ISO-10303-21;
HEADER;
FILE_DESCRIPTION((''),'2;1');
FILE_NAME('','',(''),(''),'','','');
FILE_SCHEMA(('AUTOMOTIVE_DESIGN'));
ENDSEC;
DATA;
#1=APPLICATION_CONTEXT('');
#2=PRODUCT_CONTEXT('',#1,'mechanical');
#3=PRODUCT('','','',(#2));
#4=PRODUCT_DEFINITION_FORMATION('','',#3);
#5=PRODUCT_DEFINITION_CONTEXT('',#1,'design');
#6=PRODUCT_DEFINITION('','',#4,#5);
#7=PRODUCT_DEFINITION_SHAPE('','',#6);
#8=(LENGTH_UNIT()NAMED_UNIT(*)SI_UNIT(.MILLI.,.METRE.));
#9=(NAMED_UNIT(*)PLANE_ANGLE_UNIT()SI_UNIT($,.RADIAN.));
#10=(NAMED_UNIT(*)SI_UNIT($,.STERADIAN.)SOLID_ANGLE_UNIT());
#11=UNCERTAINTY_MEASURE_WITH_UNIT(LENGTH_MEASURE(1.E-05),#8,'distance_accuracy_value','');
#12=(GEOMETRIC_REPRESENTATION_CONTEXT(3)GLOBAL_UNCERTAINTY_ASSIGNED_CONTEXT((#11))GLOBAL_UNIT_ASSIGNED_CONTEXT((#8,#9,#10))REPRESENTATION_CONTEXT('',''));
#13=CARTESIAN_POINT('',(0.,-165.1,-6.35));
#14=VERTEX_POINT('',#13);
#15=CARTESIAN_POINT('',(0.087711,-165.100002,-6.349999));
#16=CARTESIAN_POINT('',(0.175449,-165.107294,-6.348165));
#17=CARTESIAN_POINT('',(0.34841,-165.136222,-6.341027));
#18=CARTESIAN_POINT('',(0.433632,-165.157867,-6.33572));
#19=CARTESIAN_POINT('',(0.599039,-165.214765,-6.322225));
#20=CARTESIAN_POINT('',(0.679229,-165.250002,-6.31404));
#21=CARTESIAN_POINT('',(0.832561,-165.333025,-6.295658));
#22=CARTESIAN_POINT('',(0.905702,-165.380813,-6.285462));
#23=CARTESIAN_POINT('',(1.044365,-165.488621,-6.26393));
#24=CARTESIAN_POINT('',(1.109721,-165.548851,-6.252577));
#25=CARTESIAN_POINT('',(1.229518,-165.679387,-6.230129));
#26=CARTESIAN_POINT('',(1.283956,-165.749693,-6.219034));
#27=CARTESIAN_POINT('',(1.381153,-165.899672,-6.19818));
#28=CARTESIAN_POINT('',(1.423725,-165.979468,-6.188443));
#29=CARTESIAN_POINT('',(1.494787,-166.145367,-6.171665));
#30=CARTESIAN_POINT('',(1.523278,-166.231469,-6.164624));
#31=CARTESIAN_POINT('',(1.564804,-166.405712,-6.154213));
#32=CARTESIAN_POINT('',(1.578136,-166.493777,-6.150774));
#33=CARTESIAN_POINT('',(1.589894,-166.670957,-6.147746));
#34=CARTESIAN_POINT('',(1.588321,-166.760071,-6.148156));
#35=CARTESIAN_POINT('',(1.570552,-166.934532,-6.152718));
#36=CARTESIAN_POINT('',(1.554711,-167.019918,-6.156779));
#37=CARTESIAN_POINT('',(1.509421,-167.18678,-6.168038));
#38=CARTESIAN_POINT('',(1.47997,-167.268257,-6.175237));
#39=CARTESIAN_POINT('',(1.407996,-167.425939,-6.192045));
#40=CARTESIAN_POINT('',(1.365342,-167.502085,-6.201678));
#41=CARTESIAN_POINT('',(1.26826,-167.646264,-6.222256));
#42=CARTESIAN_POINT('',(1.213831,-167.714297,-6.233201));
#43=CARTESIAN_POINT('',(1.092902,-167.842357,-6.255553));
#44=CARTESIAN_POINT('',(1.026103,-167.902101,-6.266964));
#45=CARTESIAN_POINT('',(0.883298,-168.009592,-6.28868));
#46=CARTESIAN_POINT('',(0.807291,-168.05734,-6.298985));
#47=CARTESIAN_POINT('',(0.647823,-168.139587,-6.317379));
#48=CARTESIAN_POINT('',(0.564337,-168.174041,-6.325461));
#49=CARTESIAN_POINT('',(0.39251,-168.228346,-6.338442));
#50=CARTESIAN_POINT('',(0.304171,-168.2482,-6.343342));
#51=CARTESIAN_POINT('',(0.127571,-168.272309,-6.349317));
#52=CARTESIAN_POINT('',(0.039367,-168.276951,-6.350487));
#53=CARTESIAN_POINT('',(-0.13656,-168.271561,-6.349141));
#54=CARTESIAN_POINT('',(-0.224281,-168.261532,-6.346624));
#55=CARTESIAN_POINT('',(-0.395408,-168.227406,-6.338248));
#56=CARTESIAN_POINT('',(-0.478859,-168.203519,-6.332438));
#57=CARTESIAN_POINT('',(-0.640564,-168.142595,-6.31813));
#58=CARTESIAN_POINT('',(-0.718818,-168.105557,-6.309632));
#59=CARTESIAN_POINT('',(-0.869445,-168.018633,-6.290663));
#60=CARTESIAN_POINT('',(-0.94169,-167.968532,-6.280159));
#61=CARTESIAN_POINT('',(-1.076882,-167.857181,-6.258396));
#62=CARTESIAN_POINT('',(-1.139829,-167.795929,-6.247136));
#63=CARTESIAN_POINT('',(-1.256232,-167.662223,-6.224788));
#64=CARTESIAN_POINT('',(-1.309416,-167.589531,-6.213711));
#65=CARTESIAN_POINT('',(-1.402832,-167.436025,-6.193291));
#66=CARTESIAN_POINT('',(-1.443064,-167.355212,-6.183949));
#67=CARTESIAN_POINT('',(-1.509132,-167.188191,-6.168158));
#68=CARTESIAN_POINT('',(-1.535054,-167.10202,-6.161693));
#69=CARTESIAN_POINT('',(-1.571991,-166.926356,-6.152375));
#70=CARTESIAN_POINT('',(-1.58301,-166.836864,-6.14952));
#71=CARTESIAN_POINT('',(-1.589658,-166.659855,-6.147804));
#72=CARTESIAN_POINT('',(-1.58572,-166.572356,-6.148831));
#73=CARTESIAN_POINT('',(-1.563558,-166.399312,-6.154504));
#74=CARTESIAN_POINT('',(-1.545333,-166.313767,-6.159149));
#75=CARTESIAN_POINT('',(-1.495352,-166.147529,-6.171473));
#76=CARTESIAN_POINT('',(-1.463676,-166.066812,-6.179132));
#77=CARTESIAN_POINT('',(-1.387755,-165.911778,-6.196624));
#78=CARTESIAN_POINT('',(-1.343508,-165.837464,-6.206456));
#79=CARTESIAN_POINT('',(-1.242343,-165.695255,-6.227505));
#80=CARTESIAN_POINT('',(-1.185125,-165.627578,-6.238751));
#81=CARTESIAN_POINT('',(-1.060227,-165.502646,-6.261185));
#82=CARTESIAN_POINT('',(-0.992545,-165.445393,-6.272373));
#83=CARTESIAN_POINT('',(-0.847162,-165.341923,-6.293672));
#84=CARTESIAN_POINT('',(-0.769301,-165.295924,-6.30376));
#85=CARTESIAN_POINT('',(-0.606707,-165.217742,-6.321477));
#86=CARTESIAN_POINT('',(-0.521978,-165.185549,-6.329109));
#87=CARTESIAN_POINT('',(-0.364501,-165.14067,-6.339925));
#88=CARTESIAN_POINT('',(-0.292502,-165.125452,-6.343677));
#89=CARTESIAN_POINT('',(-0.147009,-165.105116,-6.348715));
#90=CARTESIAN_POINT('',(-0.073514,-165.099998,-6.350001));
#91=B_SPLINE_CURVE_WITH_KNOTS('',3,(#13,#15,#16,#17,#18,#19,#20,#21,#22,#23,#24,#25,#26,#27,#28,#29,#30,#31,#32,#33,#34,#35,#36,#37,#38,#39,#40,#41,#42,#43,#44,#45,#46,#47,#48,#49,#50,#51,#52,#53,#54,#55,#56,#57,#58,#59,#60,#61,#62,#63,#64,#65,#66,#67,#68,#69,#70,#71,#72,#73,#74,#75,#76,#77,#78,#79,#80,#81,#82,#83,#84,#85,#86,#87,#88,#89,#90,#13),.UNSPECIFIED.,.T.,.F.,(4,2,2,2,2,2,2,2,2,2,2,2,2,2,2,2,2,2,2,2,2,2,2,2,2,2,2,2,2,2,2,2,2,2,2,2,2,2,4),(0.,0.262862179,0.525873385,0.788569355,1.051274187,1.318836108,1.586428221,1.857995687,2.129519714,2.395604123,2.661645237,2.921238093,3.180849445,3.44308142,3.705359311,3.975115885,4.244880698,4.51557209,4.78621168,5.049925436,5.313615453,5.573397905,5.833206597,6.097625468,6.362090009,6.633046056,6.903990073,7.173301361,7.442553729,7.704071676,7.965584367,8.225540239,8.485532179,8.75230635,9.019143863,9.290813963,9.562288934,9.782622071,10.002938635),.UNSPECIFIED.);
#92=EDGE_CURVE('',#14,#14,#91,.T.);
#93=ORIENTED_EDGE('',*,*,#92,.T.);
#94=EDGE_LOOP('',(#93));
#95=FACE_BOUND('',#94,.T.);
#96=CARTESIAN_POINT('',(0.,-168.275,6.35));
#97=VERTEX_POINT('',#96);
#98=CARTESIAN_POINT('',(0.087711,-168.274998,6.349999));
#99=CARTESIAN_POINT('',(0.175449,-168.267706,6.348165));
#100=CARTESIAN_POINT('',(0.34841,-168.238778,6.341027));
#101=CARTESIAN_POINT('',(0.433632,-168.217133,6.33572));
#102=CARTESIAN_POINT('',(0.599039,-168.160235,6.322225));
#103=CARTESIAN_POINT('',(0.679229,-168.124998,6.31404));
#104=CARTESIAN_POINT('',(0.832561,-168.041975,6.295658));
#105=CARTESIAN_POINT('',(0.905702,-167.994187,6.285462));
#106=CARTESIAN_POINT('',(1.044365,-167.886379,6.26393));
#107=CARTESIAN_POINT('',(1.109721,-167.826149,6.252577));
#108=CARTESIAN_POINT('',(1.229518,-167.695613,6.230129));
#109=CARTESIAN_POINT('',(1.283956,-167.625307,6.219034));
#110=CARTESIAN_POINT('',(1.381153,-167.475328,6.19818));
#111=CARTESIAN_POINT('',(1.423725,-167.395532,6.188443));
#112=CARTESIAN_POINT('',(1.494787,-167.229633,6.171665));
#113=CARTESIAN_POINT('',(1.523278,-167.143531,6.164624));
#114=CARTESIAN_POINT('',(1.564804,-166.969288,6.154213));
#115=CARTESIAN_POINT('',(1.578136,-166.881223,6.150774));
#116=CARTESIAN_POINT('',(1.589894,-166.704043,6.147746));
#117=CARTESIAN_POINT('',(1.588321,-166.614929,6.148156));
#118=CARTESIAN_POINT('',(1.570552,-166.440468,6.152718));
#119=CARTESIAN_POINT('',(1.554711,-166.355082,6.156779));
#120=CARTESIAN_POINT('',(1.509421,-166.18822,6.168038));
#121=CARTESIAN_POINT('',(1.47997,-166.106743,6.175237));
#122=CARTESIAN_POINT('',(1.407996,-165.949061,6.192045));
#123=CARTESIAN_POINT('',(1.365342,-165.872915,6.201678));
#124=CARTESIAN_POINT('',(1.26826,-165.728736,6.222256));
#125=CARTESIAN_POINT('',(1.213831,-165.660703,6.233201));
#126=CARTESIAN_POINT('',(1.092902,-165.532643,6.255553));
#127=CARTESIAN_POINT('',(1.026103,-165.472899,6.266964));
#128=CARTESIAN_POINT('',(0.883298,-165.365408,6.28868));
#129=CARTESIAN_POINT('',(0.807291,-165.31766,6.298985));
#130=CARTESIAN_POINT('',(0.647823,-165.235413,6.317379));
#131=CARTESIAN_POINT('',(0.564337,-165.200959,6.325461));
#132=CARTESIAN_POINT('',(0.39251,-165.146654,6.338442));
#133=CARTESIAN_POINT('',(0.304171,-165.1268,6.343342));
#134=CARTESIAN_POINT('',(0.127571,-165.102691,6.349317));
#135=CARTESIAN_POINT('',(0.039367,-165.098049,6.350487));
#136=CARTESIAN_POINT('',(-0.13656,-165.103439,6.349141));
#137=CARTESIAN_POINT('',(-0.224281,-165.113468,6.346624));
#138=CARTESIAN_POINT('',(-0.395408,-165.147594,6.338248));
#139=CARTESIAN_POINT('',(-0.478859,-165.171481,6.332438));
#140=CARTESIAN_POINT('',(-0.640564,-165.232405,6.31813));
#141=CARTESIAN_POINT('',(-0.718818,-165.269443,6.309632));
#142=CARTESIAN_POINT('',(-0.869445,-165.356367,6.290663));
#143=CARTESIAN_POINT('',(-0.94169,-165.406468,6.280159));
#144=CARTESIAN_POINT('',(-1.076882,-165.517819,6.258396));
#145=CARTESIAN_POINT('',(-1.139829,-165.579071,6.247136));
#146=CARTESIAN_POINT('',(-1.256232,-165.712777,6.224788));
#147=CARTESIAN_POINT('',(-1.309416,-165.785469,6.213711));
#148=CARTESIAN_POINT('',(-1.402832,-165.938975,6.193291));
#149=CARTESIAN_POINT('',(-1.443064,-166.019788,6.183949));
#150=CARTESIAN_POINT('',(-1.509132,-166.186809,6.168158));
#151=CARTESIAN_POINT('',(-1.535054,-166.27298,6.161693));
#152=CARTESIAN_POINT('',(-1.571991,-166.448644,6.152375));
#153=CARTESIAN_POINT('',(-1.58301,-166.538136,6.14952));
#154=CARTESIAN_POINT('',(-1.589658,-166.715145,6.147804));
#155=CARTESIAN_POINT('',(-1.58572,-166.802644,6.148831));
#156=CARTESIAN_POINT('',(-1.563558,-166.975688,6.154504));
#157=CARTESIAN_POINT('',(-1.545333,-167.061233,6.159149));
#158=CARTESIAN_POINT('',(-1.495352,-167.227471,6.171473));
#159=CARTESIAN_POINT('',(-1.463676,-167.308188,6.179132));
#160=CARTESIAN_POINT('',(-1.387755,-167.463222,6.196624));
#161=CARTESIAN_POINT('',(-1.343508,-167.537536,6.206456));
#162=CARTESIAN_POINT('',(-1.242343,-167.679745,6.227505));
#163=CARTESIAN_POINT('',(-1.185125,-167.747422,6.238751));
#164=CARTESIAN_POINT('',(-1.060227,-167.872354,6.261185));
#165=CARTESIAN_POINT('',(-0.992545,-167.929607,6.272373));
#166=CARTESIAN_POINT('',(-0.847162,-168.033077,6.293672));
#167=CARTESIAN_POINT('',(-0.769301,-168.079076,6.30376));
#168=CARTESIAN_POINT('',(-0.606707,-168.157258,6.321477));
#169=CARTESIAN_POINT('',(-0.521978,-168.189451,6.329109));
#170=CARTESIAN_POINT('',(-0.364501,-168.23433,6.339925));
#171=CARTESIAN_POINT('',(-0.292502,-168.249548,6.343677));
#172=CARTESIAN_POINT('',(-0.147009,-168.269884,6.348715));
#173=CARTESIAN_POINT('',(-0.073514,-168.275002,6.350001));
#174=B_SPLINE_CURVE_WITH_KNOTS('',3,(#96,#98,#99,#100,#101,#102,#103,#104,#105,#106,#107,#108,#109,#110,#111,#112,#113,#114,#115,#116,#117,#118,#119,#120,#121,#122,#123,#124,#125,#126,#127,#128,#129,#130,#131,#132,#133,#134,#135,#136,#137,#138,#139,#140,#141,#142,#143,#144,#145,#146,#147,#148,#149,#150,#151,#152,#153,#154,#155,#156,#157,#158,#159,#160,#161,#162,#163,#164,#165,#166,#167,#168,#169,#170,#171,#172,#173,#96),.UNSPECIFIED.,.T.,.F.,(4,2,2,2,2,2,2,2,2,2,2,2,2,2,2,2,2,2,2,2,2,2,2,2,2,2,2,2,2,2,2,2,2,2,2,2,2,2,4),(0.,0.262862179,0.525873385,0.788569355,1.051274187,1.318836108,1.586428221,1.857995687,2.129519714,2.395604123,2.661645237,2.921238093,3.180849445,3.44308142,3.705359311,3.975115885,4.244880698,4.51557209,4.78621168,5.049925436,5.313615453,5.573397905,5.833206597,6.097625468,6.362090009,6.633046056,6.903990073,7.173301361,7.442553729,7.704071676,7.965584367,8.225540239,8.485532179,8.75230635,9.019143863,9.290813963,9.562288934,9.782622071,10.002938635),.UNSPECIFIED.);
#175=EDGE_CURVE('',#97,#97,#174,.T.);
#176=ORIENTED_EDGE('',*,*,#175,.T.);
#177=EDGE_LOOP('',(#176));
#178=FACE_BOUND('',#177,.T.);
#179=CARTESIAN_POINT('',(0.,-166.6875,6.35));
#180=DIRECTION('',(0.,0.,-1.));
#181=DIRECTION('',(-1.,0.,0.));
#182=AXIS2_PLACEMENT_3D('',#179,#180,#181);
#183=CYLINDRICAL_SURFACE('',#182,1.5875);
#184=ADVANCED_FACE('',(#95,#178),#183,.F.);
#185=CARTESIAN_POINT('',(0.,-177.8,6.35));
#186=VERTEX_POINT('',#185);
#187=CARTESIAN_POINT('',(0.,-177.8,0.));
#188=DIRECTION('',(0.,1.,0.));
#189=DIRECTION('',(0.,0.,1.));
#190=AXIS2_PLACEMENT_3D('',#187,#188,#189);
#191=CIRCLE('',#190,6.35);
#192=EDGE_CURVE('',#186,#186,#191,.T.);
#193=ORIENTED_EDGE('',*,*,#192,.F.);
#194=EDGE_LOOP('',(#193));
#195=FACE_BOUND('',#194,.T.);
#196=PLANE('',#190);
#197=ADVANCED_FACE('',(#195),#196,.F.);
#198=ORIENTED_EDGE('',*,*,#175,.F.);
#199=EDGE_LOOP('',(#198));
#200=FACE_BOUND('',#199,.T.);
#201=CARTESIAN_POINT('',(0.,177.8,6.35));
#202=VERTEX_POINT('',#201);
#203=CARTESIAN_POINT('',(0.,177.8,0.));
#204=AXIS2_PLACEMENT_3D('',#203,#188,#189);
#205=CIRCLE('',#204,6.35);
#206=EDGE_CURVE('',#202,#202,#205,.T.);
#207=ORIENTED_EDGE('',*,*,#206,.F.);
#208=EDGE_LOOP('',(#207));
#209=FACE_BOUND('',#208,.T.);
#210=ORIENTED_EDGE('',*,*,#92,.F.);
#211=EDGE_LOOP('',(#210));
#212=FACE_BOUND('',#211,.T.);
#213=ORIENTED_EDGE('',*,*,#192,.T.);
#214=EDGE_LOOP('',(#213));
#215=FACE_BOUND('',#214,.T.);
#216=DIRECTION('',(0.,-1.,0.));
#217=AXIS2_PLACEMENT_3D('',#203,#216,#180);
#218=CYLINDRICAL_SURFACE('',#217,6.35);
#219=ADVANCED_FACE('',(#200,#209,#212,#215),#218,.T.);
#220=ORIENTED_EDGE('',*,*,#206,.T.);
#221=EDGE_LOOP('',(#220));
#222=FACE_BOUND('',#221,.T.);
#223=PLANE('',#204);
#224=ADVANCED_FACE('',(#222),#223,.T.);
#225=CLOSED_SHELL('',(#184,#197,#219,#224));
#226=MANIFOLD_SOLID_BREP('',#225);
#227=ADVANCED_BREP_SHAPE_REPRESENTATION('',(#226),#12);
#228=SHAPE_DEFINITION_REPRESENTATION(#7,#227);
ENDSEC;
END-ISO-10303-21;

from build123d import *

# Parameters (mm, degrees)
SKETCH1_R               = 6.35
BOSS_EXTRUDE1_DEPTH     = 177.8
SKETCH2_R               = 1.5875
CUT_EXTRUDE1_DEPTH      = 7.35
CUT_EXTRUDE1_DEPTH_BACK = 7.35


with BuildPart() as part:
    # Sketch1 → Boss-Extrude1 (new body, symmetric)
    with BuildSketch(Plane(origin=(0, 0, 0), x_dir=(1, 0, 0), z_dir=(0, 1, 0))):
        Circle(SKETCH1_R)
    extrude(amount=BOSS_EXTRUDE1_DEPTH, both=True)

    # Sketch2 → Cut-Extrude1 (cut, two sides)
    with BuildSketch(Plane.XY) as cut_extrude1_sk:
        with Locations((0, -166.6875)):
            Circle(SKETCH2_R)
    extrude(amount=CUT_EXTRUDE1_DEPTH, mode=Mode.SUBTRACT)
    extrude(cut_extrude1_sk.sketch, amount=-CUT_EXTRUDE1_DEPTH_BACK, mode=Mode.SUBTRACT)


solid = part.part
